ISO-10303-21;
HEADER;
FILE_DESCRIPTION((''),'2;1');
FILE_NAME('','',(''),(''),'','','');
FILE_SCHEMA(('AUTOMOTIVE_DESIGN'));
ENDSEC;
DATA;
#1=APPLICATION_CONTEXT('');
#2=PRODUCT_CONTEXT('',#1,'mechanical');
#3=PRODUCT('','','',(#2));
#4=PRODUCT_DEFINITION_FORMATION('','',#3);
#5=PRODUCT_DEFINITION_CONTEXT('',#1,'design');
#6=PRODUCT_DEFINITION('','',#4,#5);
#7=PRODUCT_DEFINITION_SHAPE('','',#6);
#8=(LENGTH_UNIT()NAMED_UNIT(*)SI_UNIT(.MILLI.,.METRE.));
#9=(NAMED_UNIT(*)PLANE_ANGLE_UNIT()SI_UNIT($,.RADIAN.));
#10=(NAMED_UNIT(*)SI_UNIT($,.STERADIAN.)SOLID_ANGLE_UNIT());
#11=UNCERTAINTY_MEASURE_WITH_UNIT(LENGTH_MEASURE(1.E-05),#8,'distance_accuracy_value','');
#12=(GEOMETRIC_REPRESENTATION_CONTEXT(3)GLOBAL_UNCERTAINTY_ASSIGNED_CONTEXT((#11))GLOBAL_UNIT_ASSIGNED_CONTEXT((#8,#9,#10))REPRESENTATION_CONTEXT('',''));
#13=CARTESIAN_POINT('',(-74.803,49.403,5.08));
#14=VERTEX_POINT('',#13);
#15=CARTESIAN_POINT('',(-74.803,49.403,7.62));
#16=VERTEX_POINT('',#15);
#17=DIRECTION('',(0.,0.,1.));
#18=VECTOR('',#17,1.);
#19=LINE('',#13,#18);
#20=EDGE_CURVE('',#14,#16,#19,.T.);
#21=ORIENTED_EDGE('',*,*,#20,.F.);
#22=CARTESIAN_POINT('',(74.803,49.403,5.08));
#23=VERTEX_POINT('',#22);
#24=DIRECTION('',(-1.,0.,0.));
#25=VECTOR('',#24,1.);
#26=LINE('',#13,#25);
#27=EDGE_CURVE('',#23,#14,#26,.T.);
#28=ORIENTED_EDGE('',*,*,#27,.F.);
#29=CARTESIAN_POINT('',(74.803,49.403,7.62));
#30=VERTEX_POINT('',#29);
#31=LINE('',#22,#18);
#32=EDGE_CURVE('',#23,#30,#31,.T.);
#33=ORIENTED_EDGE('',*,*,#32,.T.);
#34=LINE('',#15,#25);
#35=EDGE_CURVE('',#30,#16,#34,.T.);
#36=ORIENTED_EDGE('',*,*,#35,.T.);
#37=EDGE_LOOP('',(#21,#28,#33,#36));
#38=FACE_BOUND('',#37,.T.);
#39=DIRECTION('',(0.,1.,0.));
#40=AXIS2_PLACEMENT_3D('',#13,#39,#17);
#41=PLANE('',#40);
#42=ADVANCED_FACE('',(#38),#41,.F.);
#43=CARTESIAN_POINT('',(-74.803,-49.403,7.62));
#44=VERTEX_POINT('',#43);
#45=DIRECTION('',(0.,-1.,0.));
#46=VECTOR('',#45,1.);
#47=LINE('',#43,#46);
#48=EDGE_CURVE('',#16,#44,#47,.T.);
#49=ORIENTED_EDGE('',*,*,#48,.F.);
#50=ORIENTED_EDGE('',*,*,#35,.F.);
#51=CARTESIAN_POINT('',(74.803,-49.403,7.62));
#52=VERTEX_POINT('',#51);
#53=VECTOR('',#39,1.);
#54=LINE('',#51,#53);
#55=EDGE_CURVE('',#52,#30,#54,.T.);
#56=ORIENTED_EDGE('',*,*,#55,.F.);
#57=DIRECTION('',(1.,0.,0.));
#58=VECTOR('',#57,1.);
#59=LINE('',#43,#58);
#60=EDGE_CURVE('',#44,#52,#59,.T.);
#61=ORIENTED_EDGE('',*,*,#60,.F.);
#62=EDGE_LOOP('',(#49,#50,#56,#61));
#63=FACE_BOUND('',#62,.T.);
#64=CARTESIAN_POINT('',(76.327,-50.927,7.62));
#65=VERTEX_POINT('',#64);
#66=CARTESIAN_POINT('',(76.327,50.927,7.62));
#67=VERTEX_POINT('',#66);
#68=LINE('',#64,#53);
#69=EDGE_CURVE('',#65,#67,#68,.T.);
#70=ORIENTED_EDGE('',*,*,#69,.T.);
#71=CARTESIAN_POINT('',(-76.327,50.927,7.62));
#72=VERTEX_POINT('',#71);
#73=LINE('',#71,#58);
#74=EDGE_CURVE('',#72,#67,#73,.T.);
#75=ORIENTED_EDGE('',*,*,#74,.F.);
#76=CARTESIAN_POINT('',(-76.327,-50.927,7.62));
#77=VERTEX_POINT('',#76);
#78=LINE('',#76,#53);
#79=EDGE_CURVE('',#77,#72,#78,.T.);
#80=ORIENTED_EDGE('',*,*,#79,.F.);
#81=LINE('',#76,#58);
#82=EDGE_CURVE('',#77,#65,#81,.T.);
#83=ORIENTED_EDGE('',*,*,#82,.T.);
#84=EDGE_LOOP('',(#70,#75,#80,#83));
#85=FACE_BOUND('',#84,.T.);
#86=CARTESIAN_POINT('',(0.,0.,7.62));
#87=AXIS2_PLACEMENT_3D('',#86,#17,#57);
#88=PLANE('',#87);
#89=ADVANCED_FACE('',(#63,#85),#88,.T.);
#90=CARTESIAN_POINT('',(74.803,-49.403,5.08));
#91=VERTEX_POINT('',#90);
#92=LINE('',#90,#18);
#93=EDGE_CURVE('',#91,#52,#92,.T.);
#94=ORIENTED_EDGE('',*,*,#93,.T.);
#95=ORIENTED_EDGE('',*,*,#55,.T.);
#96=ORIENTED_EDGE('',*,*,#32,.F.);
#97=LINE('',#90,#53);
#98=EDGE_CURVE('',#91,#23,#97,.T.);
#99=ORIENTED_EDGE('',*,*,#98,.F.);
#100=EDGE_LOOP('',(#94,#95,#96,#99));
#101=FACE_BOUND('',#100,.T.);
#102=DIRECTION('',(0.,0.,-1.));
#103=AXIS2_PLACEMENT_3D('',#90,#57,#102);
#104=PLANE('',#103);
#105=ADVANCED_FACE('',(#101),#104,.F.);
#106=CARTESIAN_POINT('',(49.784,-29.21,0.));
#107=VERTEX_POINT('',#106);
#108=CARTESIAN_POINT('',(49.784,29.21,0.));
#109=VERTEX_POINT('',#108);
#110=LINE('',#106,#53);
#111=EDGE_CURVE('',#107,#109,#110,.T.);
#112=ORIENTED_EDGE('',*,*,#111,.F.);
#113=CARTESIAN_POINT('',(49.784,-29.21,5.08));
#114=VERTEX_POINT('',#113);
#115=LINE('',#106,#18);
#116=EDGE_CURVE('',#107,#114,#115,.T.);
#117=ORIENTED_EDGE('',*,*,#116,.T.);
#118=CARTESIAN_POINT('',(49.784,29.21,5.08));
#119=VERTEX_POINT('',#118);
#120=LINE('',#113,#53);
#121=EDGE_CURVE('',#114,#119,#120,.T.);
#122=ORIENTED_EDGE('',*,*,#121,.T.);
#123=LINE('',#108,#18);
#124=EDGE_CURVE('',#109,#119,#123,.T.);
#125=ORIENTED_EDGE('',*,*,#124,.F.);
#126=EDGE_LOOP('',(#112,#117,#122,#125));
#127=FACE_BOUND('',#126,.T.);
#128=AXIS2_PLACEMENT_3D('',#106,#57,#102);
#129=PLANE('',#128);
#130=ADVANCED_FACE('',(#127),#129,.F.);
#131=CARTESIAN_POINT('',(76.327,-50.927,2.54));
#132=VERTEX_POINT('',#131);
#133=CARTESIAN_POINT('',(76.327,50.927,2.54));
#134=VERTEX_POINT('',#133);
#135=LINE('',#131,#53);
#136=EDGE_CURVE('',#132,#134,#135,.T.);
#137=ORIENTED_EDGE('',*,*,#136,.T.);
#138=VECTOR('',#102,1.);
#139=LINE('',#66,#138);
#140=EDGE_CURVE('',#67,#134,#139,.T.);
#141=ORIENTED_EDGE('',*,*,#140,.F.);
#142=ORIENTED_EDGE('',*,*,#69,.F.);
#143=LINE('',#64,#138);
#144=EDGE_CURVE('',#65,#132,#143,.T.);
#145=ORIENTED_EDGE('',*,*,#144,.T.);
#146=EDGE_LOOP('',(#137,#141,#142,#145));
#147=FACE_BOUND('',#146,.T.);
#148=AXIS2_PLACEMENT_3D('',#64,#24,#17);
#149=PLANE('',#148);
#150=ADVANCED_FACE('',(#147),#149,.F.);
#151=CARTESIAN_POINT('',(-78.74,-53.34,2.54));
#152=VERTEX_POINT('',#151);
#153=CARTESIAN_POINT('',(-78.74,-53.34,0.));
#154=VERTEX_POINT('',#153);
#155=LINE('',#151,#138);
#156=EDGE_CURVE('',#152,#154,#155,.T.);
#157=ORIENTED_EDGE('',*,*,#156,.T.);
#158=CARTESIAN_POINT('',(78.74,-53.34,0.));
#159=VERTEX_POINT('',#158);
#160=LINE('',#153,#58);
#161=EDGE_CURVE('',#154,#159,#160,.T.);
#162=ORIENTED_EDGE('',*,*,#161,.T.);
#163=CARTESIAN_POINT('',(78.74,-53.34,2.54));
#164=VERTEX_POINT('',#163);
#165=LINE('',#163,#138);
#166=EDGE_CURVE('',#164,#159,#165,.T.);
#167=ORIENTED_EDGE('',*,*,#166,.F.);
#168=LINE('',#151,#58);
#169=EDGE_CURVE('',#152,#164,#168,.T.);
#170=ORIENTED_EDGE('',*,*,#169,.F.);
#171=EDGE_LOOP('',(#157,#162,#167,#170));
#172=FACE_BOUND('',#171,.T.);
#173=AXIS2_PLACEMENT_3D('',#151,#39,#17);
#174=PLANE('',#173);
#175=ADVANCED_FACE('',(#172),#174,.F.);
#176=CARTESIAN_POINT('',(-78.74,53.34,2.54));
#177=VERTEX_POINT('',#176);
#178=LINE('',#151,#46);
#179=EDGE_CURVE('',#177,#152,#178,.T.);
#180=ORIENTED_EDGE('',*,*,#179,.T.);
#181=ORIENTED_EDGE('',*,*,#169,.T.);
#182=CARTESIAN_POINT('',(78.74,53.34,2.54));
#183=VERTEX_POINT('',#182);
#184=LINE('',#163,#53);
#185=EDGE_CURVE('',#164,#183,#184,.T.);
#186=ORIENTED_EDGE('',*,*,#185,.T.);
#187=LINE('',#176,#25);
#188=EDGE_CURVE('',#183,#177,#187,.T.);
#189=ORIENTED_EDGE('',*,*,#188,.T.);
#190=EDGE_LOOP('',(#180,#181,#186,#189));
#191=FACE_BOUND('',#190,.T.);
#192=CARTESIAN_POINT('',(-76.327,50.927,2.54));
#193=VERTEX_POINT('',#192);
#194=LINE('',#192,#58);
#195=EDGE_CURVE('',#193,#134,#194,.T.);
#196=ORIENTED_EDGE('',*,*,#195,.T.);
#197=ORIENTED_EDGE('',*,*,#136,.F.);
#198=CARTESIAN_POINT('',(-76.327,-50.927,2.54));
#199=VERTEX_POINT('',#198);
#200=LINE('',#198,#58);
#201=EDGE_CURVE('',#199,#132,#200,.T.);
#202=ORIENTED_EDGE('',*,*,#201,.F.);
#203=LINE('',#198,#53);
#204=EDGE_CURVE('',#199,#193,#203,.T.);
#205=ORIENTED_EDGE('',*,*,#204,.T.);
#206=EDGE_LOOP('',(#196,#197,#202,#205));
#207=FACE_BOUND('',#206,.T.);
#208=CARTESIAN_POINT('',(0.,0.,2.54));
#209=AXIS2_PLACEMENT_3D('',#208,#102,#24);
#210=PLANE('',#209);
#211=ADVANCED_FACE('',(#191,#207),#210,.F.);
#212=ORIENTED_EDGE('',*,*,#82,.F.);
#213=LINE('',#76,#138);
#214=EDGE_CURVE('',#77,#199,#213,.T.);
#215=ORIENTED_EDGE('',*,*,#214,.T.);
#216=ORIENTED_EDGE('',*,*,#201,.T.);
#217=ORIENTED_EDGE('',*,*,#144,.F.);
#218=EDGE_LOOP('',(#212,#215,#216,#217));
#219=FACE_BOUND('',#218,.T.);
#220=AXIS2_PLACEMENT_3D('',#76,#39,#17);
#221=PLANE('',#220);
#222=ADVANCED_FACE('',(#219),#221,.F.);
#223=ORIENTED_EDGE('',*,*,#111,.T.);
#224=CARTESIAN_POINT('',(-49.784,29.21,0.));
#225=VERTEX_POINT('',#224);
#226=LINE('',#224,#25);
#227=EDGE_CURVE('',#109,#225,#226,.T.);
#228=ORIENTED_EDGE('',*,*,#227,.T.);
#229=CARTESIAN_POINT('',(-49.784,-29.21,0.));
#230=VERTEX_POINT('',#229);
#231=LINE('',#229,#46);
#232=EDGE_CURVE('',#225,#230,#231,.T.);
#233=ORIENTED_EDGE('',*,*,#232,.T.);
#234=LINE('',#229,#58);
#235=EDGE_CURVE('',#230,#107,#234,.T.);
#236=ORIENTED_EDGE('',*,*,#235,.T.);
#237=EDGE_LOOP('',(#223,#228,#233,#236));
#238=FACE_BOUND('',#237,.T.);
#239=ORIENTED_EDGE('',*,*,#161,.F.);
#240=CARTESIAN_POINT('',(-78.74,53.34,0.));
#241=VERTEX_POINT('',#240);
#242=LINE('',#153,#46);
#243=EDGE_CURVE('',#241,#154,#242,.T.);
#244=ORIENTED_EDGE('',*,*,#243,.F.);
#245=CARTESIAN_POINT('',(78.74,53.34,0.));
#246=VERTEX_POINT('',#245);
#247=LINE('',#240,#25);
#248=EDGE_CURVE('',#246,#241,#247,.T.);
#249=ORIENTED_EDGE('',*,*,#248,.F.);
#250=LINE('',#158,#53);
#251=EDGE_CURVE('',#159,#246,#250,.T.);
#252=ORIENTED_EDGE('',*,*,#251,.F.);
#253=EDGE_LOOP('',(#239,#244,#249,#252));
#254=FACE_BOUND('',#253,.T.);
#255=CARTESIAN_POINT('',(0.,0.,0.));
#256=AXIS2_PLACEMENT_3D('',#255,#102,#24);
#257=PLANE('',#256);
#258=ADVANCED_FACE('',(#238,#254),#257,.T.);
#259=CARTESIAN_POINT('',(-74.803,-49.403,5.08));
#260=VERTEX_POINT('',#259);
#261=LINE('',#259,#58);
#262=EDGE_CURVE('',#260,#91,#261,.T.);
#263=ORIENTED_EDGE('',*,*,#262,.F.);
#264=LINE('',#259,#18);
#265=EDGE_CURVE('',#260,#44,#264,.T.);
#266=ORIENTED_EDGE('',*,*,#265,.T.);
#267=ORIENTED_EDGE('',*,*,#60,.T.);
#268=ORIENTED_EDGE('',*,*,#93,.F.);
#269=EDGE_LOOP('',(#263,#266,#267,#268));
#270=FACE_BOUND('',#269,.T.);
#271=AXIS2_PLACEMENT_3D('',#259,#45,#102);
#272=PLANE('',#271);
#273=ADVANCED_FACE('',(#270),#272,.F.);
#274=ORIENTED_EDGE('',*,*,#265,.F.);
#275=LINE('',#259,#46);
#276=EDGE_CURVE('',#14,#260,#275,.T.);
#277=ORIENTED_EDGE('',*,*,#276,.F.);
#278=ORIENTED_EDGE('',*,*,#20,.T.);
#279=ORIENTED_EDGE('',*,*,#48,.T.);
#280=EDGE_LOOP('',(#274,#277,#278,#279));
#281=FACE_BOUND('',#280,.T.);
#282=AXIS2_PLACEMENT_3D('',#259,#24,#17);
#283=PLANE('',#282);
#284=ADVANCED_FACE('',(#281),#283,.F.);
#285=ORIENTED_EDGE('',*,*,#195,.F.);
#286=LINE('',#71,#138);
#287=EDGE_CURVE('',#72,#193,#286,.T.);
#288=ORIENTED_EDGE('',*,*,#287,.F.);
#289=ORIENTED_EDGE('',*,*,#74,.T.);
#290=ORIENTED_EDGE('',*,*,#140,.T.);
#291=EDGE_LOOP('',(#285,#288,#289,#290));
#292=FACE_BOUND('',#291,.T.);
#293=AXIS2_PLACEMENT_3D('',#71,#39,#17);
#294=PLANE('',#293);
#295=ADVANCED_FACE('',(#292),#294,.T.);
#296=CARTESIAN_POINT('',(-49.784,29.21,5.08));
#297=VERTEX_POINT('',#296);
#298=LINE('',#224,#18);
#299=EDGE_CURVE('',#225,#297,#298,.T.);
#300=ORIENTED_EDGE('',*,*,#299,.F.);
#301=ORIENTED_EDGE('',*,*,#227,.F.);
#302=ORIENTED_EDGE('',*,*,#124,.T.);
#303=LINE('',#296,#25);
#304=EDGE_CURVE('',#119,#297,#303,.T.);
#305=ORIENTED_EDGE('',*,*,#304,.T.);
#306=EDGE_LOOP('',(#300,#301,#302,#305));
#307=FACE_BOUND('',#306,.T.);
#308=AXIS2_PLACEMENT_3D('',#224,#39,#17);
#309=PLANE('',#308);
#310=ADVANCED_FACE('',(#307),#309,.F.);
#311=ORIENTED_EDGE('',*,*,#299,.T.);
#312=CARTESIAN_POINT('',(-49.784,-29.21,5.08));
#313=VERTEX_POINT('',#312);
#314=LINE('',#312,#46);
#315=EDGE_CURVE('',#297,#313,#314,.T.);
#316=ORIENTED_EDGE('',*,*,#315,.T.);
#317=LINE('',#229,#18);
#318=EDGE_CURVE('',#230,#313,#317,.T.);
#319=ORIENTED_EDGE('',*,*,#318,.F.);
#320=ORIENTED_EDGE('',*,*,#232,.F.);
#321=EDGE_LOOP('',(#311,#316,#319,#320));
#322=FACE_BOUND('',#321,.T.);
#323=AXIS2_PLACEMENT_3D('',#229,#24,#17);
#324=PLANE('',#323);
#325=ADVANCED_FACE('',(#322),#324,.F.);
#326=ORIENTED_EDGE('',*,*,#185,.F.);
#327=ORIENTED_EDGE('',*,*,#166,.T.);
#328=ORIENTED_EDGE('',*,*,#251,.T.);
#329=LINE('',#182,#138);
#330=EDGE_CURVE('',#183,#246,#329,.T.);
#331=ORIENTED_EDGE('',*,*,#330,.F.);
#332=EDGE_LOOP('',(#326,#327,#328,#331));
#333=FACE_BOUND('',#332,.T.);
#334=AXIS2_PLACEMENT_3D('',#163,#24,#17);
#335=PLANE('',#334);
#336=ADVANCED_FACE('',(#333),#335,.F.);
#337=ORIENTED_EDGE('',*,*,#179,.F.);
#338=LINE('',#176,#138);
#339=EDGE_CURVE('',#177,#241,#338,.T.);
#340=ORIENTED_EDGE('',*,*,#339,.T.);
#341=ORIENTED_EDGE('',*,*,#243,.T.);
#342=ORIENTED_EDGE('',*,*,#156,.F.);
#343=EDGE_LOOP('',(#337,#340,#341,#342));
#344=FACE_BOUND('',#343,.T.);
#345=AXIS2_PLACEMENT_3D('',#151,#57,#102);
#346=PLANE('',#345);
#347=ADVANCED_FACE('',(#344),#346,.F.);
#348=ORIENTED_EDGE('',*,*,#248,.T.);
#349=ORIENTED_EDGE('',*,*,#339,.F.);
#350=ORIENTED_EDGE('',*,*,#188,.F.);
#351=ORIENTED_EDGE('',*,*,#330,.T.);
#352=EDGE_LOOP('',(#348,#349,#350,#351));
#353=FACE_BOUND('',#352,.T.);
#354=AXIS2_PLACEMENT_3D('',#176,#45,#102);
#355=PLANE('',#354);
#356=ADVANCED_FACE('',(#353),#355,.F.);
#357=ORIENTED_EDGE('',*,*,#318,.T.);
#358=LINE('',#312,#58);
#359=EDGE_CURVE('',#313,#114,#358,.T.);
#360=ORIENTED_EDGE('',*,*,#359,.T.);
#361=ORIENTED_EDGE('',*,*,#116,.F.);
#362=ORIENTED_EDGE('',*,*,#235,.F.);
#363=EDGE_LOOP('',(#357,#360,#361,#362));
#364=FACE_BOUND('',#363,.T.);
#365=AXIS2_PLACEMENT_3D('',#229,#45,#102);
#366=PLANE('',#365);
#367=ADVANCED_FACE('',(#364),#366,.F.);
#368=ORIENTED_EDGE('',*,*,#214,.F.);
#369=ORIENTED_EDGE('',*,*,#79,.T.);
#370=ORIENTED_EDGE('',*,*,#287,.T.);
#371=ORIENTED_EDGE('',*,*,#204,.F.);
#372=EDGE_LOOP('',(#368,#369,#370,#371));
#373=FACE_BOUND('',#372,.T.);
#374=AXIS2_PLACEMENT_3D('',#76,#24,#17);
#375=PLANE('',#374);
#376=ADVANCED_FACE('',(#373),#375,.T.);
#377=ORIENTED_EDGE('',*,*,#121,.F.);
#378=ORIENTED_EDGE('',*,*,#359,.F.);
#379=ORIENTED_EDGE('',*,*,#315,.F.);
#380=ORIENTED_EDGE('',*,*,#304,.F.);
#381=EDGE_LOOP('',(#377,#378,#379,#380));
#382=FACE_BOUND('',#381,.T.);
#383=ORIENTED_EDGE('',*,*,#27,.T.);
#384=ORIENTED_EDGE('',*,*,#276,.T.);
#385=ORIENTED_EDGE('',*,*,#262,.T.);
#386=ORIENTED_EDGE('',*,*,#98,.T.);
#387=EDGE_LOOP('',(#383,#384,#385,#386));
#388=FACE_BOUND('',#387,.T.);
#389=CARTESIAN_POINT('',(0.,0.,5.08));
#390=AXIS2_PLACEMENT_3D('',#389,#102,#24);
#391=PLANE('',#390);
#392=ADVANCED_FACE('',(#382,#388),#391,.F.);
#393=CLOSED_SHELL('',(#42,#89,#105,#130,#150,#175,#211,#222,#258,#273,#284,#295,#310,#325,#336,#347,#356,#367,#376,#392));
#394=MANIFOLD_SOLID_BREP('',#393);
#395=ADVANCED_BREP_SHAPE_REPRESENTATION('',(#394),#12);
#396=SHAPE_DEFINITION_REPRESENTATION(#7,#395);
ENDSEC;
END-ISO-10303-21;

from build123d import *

# Parameters (mm, degrees)
SKETCH1_W           = 157.48
SKETCH1_H           = 106.68
BOSS_EXTRUDE1_DEPTH = 2.54
SKETCH2_W           = 152.654
SKETCH2_H           = 101.854
BOSS_EXTRUDE2_DEPTH = 5.08
SKETCH3_W           = 149.606
SKETCH3_H           = 98.806
CUT_EXTRUDE1_DEPTH  = 2.54
SKETCH4_W           = 99.568
SKETCH4_H           = 58.42
CUT_EXTRUDE2_DEPTH  = 96.241532957


with BuildPart() as part:
    # Sketch1 → Boss-Extrude1 (new body)
    with BuildSketch(Plane.XY):
        Rectangle(SKETCH1_W, SKETCH1_H)
    extrude(amount=BOSS_EXTRUDE1_DEPTH)

    # Sketch2 → Boss-Extrude2 (add)
    with BuildSketch(Plane.XY.offset(2.54)):
        Rectangle(SKETCH2_W, SKETCH2_H)
    extrude(amount=BOSS_EXTRUDE2_DEPTH)

    # Sketch3 → Cut-Extrude1 (cut)
    with BuildSketch(Plane.XY.offset(7.62)):
        Rectangle(SKETCH3_W, SKETCH3_H)
    extrude(amount=-CUT_EXTRUDE1_DEPTH, mode=Mode.SUBTRACT)

    # Sketch4 → Cut-Extrude2 (cut, through all)
    with BuildSketch(Plane.XY.offset(5.08)):
        Rectangle(SKETCH4_W, SKETCH4_H)
    extrude(amount=-CUT_EXTRUDE2_DEPTH, mode=Mode.SUBTRACT)


solid = part.part
